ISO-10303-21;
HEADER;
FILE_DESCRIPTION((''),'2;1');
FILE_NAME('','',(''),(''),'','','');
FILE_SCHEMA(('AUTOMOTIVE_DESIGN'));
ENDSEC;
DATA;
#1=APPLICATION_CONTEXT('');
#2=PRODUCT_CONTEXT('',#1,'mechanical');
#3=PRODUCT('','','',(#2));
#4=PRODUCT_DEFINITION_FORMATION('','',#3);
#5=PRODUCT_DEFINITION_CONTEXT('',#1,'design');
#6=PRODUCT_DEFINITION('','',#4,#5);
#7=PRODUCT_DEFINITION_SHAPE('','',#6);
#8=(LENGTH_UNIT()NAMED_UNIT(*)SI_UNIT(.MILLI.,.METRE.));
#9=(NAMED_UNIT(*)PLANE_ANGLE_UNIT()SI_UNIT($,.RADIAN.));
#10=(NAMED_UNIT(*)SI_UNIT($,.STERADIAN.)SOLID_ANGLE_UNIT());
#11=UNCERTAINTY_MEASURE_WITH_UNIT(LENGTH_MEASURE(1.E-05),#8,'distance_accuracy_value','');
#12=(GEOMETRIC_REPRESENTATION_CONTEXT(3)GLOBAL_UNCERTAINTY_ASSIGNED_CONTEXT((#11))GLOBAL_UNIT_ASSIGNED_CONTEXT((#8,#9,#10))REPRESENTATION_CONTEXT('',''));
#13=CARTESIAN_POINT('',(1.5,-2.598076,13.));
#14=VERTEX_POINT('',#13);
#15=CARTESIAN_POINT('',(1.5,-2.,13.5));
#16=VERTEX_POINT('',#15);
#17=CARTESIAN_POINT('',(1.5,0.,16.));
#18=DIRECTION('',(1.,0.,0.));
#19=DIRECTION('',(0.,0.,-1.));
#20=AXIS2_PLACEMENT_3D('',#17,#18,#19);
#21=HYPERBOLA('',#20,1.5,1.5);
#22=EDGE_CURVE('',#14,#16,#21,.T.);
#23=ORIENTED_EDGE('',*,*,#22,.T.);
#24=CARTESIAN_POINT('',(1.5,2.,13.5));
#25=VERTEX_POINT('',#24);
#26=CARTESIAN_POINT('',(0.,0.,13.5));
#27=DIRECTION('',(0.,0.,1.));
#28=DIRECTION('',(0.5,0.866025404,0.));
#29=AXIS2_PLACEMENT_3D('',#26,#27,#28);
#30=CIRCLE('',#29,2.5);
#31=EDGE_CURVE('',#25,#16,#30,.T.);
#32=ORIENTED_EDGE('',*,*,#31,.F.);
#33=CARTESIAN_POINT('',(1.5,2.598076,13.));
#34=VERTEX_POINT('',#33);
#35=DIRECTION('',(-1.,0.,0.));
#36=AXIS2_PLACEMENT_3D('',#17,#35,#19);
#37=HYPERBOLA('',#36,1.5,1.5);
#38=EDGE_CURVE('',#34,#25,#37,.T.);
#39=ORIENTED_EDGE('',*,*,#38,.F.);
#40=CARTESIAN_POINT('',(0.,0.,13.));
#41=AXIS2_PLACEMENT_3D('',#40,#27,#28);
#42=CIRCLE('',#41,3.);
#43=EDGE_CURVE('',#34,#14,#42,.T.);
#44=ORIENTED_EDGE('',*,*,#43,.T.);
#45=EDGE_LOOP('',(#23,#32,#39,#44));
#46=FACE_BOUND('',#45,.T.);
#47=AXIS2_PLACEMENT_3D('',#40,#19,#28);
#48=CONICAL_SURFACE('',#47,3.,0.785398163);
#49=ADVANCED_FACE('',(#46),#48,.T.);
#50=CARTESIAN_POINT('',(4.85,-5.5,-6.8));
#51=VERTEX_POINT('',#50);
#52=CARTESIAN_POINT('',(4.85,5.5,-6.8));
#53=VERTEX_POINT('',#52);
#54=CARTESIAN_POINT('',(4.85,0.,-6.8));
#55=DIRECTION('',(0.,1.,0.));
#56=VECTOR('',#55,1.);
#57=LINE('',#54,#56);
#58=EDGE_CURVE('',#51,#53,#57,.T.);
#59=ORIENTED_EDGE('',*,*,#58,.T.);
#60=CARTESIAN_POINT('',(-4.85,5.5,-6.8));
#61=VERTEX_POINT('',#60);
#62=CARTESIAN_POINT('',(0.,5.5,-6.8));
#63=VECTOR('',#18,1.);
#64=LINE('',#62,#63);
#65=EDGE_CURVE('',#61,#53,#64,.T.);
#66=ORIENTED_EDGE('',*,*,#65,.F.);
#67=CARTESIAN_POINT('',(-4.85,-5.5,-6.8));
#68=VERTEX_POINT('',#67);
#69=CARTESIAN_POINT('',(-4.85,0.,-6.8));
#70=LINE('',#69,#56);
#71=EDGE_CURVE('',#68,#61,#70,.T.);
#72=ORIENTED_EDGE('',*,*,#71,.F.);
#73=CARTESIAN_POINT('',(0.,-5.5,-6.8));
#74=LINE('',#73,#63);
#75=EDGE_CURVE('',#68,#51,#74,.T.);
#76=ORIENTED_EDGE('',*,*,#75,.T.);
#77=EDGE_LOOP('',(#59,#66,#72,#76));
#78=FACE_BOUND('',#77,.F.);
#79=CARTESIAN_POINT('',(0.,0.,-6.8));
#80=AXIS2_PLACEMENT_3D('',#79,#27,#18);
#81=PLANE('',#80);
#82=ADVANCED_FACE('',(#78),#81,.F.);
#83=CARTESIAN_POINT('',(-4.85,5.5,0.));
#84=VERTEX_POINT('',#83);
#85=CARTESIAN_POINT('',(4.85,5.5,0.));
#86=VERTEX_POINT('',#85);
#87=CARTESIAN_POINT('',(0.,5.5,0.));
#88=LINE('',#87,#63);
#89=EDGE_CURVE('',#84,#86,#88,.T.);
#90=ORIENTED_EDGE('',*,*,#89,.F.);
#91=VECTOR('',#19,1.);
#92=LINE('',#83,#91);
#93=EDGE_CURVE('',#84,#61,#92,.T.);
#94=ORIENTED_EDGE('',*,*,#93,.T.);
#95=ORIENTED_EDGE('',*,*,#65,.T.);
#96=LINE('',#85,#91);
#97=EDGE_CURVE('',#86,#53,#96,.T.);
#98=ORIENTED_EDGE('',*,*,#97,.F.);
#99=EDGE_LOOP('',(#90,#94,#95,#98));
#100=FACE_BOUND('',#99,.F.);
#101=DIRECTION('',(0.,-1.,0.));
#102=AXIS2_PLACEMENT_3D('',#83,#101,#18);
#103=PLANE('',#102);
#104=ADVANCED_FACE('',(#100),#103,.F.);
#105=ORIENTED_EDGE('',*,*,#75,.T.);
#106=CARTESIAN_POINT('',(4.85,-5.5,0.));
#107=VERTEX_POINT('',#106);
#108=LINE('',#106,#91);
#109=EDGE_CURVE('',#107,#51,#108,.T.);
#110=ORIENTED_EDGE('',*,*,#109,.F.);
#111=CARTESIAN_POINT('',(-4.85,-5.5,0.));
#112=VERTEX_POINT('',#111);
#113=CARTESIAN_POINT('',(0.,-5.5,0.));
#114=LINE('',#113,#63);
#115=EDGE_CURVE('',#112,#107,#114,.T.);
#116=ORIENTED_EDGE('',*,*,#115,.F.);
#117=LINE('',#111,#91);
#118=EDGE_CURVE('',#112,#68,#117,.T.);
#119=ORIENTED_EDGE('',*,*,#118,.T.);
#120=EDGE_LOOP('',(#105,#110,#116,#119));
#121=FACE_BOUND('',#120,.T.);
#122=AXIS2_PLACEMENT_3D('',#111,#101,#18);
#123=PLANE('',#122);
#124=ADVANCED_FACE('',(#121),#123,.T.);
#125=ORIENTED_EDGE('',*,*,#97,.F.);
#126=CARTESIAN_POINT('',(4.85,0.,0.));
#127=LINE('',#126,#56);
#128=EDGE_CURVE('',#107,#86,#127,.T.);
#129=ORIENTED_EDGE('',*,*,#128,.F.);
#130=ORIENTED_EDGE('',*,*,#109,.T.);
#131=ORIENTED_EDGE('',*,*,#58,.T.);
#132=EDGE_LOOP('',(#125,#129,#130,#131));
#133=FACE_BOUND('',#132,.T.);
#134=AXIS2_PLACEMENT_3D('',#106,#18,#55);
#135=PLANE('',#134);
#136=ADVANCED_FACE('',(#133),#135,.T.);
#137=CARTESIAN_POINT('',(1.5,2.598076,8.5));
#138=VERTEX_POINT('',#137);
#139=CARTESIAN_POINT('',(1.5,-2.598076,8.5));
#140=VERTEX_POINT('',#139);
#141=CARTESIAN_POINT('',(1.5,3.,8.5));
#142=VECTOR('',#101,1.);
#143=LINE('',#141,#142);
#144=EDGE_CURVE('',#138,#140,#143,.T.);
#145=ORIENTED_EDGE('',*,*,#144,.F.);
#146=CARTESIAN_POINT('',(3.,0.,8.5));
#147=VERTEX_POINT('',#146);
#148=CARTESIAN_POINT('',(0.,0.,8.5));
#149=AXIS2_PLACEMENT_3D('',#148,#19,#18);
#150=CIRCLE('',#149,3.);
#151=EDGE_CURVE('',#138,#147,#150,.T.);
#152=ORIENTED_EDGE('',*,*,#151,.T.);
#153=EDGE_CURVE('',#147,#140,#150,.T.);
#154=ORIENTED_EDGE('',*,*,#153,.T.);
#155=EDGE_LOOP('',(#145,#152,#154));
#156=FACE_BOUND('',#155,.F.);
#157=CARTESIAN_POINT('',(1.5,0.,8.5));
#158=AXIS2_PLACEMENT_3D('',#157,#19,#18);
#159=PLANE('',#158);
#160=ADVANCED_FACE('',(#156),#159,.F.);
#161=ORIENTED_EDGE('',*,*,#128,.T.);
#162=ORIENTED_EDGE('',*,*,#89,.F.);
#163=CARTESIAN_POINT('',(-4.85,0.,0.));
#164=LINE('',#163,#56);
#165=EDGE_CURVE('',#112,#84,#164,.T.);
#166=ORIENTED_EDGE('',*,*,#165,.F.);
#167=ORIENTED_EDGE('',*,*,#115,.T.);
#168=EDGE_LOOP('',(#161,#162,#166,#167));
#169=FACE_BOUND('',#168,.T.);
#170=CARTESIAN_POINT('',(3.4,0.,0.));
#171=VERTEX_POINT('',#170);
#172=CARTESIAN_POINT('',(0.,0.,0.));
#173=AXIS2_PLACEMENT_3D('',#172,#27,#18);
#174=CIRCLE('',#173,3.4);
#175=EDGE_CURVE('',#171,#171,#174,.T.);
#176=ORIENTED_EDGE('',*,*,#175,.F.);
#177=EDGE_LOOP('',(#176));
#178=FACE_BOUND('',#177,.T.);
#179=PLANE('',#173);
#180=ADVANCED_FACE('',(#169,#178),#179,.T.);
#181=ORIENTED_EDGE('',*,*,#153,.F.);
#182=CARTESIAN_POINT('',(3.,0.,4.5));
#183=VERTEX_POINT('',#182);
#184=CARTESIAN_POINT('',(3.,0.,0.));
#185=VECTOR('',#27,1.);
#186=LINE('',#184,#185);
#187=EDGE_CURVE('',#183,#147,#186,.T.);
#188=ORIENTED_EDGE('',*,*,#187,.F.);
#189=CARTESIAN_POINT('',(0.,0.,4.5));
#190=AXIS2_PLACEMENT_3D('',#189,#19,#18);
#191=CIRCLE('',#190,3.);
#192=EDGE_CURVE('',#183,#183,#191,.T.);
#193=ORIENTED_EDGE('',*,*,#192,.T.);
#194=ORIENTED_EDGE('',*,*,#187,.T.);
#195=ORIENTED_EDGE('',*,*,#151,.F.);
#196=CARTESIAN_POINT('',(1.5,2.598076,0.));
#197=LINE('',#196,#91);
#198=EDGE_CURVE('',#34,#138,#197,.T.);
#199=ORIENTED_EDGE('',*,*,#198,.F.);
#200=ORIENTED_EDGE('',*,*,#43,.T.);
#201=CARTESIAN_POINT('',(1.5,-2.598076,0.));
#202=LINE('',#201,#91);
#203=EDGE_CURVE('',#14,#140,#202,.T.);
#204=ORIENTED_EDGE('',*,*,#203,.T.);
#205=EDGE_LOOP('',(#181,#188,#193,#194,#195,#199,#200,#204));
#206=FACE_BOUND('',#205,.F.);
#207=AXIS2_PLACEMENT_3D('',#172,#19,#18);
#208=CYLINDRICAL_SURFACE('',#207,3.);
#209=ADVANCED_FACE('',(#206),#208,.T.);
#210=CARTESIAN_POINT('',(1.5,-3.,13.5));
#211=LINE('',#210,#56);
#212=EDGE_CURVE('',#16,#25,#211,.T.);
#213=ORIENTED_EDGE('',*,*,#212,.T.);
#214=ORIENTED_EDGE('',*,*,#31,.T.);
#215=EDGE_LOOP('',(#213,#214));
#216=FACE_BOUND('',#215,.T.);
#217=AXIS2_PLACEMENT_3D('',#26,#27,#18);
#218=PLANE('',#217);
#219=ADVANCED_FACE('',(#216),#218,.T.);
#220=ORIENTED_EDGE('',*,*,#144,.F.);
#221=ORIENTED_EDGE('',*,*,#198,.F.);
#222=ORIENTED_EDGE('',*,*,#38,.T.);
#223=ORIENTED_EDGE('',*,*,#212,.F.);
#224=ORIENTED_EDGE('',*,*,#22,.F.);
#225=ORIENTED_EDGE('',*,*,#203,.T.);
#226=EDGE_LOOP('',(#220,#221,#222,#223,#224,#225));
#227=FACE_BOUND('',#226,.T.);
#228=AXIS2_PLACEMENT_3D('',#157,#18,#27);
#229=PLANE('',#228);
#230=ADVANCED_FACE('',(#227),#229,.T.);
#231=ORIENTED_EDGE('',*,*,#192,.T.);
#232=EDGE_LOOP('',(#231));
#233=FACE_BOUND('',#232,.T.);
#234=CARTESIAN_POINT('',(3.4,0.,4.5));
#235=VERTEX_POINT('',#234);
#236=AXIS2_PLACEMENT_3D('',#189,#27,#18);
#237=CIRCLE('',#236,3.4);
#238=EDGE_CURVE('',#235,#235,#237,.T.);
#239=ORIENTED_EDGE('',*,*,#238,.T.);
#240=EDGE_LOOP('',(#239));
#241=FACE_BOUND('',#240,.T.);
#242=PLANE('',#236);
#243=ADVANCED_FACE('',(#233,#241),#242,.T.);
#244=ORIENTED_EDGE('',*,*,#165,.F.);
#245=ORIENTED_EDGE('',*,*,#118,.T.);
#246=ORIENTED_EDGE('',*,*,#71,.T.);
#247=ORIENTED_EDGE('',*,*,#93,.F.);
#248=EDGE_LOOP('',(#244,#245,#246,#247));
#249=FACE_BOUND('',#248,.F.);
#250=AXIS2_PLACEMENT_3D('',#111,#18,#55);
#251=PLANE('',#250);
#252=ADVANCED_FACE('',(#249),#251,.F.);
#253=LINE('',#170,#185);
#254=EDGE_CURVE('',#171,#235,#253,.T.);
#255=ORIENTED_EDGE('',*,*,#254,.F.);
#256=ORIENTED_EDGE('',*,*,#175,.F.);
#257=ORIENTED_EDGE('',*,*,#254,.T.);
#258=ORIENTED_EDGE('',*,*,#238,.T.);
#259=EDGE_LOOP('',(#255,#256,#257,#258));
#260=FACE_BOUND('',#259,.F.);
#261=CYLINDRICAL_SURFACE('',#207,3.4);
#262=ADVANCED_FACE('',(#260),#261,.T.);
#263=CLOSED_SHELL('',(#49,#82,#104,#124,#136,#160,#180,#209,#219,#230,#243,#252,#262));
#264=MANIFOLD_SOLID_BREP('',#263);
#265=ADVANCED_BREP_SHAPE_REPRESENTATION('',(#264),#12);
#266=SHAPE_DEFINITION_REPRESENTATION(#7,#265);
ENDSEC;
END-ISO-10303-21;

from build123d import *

# Parameters (mm, degrees)
SKETCH_W     = 9.7
SKETCH_H     = 11
PAD_DEPTH    = 6.8
SKETCH001_R  = 3.4
PAD001_DEPTH = 4.5
SKETCH002_R  = 3
PAD002_DEPTH = 13.5
SKETCH003_W  = 1.5
SKETCH003_H  = 5
POCKET_DEPTH = 3
CHAMFER_SIZE = 0.5


with BuildPart() as part:
    # Sketch → Pad (new body)
    with BuildSketch(Plane.XY):
        Rectangle(SKETCH_W, SKETCH_H)
    extrude(amount=-PAD_DEPTH)

    # Sketch001 → Pad001 (join)
    with BuildSketch(Plane.XY):
        Circle(SKETCH001_R)
    extrude(amount=PAD001_DEPTH)

    # Sketch002 → Pad002 (join)
    with BuildSketch(Plane.XY):
        Circle(SKETCH002_R)
    extrude(amount=PAD002_DEPTH)

    # Sketch003 → Pocket (cut, symmetric)
    with BuildSketch(Plane.XZ):
        with Locations((2.25, 11)):
            Rectangle(SKETCH003_W, SKETCH003_H)
    extrude(amount=POCKET_DEPTH, both=True, mode=Mode.SUBTRACT)

    # Chamfer
    chamfer_edges = [part.edges().sort_by_distance(p)[0] for p in [
        (-3, 0, 13.5),
    ]]
    chamfer(chamfer_edges, length=CHAMFER_SIZE)


solid = part.part
